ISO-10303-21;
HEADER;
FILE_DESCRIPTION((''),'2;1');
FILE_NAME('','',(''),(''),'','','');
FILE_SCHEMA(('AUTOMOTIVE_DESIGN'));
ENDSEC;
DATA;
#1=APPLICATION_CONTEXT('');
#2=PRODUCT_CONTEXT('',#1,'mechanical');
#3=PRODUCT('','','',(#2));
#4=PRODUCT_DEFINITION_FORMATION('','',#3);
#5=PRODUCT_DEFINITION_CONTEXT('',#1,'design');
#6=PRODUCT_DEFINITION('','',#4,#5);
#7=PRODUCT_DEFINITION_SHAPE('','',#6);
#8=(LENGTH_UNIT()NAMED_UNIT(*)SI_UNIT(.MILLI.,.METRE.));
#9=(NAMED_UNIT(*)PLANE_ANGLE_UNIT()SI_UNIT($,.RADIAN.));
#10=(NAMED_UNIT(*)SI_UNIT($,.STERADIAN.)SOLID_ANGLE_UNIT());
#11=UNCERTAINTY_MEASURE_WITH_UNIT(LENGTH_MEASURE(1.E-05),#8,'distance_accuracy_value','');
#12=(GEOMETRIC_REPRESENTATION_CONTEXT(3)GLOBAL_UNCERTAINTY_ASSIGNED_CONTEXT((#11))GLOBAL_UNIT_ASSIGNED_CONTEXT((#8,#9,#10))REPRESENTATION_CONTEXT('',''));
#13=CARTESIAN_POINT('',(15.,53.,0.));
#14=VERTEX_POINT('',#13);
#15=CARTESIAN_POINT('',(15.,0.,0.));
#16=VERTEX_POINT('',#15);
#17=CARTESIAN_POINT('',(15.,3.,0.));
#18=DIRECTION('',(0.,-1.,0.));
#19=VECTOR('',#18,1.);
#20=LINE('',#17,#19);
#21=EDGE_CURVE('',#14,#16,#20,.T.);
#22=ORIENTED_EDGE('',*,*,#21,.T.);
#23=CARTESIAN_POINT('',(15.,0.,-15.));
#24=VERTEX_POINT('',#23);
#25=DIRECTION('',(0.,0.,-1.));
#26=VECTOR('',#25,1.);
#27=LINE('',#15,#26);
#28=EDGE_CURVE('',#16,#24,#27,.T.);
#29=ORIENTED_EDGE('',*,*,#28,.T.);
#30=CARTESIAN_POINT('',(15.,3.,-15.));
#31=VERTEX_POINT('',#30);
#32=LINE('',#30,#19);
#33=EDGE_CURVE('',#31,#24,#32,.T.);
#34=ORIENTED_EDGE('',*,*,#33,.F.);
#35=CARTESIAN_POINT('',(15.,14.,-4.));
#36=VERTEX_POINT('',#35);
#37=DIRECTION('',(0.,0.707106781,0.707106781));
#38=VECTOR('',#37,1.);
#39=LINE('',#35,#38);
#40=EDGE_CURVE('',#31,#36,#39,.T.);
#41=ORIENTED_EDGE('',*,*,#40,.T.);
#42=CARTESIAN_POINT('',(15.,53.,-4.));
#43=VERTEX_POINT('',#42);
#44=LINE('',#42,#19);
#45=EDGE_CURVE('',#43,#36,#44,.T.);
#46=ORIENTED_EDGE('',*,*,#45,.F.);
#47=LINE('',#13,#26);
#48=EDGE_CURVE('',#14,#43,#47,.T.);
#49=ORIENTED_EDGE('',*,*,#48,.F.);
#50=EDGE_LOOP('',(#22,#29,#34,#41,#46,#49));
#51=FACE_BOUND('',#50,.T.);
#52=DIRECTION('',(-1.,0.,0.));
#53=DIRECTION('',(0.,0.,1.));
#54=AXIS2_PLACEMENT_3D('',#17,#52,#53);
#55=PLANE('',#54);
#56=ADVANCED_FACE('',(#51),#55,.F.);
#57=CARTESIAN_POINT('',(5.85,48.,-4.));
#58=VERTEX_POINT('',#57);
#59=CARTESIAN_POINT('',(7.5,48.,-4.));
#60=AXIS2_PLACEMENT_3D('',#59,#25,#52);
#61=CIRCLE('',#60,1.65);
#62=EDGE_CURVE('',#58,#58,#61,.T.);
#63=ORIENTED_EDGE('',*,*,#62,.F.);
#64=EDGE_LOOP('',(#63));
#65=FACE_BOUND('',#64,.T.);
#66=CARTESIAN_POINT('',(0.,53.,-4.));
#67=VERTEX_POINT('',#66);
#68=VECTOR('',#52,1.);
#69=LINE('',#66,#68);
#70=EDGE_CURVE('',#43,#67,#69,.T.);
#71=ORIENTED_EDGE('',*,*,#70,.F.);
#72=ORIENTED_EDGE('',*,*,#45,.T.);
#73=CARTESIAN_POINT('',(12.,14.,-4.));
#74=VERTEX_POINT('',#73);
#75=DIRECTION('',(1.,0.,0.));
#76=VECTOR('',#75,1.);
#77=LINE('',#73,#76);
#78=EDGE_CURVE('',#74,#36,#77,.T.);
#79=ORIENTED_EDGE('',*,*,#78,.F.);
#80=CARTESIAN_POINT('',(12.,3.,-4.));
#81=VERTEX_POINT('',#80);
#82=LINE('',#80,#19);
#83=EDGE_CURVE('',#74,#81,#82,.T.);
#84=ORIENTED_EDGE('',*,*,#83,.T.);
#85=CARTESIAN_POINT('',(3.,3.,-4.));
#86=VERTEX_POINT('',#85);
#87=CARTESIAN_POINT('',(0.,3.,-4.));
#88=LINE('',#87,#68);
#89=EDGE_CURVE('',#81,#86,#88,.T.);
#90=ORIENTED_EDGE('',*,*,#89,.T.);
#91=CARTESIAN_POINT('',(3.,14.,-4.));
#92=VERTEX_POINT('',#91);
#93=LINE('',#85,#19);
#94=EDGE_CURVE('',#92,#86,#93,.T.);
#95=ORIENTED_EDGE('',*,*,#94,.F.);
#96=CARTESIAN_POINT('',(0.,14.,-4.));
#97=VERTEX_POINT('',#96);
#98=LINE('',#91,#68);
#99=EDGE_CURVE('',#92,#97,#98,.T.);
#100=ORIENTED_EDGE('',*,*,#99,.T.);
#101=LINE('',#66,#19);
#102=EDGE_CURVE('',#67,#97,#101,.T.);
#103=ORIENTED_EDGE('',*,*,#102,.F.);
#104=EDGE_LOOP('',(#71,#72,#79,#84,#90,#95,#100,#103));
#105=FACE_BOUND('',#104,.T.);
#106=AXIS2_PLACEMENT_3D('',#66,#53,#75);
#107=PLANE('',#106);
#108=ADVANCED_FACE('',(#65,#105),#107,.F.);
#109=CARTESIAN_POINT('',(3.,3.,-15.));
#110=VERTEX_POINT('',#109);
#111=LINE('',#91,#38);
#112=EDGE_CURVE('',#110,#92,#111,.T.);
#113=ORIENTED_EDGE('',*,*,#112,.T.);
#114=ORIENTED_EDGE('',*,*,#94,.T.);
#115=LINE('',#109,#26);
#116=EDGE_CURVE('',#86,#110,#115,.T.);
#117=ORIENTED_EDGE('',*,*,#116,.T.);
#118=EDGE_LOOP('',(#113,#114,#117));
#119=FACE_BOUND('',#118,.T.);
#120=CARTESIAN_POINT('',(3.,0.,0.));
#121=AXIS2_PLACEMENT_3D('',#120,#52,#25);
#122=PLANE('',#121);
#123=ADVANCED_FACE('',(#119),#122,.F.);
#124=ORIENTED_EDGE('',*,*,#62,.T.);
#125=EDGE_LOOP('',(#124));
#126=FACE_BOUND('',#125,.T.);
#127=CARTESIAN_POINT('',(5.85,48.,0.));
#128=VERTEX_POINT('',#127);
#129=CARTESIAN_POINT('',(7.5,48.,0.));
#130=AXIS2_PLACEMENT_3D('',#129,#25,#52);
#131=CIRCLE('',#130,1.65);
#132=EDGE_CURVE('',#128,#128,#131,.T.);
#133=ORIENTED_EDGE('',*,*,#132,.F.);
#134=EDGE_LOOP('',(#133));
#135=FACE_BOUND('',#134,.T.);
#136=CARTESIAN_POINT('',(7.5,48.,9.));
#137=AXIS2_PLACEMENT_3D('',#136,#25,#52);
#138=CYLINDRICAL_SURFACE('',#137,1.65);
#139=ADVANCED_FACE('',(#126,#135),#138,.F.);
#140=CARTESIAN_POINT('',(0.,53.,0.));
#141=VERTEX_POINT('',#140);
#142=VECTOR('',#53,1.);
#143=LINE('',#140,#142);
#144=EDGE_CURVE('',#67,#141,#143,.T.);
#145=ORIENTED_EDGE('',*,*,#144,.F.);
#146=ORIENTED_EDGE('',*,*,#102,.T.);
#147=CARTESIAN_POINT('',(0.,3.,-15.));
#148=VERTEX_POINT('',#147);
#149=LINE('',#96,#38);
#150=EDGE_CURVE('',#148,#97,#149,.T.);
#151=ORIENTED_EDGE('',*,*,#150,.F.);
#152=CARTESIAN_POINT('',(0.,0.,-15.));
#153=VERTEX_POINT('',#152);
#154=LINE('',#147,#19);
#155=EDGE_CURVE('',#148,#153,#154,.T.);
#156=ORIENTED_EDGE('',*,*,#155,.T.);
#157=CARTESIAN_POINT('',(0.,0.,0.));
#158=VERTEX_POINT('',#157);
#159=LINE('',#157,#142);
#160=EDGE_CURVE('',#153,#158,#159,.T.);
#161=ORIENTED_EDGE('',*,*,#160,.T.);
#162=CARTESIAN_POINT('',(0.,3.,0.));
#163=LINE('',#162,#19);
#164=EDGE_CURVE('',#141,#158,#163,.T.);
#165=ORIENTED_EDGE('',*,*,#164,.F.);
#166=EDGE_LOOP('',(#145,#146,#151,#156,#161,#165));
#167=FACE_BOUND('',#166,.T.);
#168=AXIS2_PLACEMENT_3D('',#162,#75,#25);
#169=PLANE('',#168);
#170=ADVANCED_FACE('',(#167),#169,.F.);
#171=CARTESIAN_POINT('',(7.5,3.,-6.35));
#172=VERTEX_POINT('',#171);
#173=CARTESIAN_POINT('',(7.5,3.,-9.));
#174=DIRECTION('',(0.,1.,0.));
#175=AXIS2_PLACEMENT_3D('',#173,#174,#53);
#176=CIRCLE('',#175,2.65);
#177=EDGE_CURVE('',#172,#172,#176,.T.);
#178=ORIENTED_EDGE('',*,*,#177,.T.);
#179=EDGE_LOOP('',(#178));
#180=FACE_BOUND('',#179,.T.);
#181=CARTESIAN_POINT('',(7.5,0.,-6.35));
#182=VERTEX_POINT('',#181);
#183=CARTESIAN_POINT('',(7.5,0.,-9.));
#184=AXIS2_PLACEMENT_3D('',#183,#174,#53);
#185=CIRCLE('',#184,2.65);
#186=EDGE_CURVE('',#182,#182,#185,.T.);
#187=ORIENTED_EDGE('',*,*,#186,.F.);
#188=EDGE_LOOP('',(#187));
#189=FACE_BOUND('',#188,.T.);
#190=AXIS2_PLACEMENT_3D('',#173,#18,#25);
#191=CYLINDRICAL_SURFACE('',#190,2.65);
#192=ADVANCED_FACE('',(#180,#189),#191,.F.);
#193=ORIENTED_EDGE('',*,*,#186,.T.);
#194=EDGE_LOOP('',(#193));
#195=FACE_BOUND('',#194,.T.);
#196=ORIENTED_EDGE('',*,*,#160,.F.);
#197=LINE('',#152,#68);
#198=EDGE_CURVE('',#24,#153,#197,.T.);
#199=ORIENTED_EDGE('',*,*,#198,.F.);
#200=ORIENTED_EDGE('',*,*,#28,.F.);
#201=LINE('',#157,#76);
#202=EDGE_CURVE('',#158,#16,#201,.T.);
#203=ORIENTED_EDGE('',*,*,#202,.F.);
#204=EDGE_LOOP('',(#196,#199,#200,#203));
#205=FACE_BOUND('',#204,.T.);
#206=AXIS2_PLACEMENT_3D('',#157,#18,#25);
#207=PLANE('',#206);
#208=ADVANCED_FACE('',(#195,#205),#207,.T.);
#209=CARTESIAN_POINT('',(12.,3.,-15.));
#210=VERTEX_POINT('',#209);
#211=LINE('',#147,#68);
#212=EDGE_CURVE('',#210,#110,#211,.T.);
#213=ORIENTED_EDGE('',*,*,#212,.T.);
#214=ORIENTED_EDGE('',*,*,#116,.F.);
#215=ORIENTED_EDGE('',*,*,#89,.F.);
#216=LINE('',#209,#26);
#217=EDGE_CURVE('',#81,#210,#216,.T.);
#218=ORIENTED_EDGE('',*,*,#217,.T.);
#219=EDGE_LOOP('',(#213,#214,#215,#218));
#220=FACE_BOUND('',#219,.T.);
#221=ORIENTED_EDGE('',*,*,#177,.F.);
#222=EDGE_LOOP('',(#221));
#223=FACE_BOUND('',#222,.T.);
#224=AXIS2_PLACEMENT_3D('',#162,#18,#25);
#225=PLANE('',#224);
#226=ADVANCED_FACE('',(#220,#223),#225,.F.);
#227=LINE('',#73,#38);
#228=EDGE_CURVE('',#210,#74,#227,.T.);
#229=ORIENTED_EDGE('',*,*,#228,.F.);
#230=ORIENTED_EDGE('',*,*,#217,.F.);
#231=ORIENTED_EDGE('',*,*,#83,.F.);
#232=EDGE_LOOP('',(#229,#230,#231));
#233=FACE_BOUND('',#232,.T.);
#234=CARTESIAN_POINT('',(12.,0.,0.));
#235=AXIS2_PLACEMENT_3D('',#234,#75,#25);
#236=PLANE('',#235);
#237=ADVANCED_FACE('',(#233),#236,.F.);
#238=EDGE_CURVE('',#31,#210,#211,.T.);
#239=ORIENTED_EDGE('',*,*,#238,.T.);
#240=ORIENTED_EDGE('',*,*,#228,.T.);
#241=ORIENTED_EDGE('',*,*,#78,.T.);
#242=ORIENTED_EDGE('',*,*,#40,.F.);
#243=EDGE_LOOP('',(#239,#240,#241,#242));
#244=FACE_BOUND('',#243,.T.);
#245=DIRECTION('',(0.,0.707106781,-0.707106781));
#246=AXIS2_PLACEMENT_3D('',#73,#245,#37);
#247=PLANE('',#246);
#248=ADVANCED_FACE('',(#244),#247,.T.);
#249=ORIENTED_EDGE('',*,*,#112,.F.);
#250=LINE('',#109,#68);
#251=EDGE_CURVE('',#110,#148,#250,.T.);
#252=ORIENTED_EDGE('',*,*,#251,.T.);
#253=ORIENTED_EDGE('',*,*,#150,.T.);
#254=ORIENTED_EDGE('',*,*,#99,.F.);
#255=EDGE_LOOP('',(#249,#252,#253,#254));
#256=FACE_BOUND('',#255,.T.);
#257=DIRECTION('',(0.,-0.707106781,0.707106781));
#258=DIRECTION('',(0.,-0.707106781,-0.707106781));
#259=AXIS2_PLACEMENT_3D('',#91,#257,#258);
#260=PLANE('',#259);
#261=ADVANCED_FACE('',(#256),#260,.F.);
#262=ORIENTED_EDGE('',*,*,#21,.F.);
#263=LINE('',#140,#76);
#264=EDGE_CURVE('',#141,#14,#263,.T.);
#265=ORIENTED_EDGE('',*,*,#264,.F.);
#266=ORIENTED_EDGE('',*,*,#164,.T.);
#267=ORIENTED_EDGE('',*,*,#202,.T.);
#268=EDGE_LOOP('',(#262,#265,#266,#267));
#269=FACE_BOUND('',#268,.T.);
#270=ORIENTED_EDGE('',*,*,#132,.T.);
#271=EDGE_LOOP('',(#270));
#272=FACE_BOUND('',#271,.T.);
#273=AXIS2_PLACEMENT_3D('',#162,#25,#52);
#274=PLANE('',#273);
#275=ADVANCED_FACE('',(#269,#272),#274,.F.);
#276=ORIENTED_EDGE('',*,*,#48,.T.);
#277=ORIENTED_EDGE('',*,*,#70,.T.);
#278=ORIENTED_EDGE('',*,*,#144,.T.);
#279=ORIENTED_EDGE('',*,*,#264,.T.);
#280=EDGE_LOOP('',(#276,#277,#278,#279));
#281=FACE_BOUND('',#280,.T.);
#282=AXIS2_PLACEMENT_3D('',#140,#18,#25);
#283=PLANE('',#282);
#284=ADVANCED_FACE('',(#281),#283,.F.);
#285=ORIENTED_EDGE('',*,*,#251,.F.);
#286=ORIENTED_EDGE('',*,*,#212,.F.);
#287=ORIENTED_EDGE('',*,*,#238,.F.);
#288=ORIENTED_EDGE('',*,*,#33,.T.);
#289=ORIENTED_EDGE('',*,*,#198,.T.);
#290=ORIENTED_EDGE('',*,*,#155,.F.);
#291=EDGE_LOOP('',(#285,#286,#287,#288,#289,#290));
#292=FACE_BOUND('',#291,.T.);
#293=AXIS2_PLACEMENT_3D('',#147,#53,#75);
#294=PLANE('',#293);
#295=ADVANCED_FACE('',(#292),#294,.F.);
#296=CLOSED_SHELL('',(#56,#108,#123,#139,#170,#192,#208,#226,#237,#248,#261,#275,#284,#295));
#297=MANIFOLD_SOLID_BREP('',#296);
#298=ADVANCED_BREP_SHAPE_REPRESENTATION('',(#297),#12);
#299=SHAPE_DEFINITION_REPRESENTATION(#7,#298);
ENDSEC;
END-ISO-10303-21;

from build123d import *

# Parameters (mm, degrees)
SKETCH1_W           = 15
SKETCH1_H           = 15
SKETCH1_R           = 2.65
BOSS_EXTRUDE1_DEPTH = 3
SKETCH2_W           = 15
SKETCH2_H           = 4
BOSS_EXTRUDE2_DEPTH = 50
BOSS_EXTRUDE3_DEPTH = 3
SKETCH4_R           = 1.65
CUT_EXTRUDE1_DEPTH  = 13


with BuildPart() as part:
    # Sketch1 → Boss-Extrude1 (new body)
    with BuildSketch(Plane(origin=(0, 0, 0), x_dir=(1, 0, 0), z_dir=(0, 1, 0))):
        with Locations((7.5, 7.5)):
            Rectangle(SKETCH1_W, SKETCH1_H)
        with Locations(Location((7.5, 9, 0), (0, 0, 270))):
            Circle(SKETCH1_R, mode=Mode.SUBTRACT)
    extrude(amount=BOSS_EXTRUDE1_DEPTH)

    # Sketch2 → Boss-Extrude2 (add)
    with BuildSketch(Plane(origin=(0, 3, 0), x_dir=(1, 0, 0), z_dir=(0, 1, 0))):
        with Locations((7.5, 2)):
            Rectangle(SKETCH2_W, SKETCH2_H)
    extrude(amount=BOSS_EXTRUDE2_DEPTH)

    # Sketch3 → Boss-Extrude3 (add)
    with BuildSketch(Plane(origin=(15, 0, 0), x_dir=(0, 0, -1), z_dir=(1, 0, 0))):
        Polygon((4, 14), (15, 3), (4, 3), align=None)
    boss_extrude3 = extrude(amount=-BOSS_EXTRUDE3_DEPTH)

    # Mirror1: Boss-Extrude3 across plane
    add(boss_extrude3.mirror(Plane.ZY.offset(-7.5)))

    # Sketch4 → Cut-Extrude1 (cut)
    with BuildSketch(Plane(origin=(0, 0, -4), x_dir=(-1, 0, 0), z_dir=(0, 0, -1))):
        with Locations((-7.5, 48)):
            Circle(SKETCH4_R)
    extrude(amount=-CUT_EXTRUDE1_DEPTH, mode=Mode.SUBTRACT)


solid = part.part
